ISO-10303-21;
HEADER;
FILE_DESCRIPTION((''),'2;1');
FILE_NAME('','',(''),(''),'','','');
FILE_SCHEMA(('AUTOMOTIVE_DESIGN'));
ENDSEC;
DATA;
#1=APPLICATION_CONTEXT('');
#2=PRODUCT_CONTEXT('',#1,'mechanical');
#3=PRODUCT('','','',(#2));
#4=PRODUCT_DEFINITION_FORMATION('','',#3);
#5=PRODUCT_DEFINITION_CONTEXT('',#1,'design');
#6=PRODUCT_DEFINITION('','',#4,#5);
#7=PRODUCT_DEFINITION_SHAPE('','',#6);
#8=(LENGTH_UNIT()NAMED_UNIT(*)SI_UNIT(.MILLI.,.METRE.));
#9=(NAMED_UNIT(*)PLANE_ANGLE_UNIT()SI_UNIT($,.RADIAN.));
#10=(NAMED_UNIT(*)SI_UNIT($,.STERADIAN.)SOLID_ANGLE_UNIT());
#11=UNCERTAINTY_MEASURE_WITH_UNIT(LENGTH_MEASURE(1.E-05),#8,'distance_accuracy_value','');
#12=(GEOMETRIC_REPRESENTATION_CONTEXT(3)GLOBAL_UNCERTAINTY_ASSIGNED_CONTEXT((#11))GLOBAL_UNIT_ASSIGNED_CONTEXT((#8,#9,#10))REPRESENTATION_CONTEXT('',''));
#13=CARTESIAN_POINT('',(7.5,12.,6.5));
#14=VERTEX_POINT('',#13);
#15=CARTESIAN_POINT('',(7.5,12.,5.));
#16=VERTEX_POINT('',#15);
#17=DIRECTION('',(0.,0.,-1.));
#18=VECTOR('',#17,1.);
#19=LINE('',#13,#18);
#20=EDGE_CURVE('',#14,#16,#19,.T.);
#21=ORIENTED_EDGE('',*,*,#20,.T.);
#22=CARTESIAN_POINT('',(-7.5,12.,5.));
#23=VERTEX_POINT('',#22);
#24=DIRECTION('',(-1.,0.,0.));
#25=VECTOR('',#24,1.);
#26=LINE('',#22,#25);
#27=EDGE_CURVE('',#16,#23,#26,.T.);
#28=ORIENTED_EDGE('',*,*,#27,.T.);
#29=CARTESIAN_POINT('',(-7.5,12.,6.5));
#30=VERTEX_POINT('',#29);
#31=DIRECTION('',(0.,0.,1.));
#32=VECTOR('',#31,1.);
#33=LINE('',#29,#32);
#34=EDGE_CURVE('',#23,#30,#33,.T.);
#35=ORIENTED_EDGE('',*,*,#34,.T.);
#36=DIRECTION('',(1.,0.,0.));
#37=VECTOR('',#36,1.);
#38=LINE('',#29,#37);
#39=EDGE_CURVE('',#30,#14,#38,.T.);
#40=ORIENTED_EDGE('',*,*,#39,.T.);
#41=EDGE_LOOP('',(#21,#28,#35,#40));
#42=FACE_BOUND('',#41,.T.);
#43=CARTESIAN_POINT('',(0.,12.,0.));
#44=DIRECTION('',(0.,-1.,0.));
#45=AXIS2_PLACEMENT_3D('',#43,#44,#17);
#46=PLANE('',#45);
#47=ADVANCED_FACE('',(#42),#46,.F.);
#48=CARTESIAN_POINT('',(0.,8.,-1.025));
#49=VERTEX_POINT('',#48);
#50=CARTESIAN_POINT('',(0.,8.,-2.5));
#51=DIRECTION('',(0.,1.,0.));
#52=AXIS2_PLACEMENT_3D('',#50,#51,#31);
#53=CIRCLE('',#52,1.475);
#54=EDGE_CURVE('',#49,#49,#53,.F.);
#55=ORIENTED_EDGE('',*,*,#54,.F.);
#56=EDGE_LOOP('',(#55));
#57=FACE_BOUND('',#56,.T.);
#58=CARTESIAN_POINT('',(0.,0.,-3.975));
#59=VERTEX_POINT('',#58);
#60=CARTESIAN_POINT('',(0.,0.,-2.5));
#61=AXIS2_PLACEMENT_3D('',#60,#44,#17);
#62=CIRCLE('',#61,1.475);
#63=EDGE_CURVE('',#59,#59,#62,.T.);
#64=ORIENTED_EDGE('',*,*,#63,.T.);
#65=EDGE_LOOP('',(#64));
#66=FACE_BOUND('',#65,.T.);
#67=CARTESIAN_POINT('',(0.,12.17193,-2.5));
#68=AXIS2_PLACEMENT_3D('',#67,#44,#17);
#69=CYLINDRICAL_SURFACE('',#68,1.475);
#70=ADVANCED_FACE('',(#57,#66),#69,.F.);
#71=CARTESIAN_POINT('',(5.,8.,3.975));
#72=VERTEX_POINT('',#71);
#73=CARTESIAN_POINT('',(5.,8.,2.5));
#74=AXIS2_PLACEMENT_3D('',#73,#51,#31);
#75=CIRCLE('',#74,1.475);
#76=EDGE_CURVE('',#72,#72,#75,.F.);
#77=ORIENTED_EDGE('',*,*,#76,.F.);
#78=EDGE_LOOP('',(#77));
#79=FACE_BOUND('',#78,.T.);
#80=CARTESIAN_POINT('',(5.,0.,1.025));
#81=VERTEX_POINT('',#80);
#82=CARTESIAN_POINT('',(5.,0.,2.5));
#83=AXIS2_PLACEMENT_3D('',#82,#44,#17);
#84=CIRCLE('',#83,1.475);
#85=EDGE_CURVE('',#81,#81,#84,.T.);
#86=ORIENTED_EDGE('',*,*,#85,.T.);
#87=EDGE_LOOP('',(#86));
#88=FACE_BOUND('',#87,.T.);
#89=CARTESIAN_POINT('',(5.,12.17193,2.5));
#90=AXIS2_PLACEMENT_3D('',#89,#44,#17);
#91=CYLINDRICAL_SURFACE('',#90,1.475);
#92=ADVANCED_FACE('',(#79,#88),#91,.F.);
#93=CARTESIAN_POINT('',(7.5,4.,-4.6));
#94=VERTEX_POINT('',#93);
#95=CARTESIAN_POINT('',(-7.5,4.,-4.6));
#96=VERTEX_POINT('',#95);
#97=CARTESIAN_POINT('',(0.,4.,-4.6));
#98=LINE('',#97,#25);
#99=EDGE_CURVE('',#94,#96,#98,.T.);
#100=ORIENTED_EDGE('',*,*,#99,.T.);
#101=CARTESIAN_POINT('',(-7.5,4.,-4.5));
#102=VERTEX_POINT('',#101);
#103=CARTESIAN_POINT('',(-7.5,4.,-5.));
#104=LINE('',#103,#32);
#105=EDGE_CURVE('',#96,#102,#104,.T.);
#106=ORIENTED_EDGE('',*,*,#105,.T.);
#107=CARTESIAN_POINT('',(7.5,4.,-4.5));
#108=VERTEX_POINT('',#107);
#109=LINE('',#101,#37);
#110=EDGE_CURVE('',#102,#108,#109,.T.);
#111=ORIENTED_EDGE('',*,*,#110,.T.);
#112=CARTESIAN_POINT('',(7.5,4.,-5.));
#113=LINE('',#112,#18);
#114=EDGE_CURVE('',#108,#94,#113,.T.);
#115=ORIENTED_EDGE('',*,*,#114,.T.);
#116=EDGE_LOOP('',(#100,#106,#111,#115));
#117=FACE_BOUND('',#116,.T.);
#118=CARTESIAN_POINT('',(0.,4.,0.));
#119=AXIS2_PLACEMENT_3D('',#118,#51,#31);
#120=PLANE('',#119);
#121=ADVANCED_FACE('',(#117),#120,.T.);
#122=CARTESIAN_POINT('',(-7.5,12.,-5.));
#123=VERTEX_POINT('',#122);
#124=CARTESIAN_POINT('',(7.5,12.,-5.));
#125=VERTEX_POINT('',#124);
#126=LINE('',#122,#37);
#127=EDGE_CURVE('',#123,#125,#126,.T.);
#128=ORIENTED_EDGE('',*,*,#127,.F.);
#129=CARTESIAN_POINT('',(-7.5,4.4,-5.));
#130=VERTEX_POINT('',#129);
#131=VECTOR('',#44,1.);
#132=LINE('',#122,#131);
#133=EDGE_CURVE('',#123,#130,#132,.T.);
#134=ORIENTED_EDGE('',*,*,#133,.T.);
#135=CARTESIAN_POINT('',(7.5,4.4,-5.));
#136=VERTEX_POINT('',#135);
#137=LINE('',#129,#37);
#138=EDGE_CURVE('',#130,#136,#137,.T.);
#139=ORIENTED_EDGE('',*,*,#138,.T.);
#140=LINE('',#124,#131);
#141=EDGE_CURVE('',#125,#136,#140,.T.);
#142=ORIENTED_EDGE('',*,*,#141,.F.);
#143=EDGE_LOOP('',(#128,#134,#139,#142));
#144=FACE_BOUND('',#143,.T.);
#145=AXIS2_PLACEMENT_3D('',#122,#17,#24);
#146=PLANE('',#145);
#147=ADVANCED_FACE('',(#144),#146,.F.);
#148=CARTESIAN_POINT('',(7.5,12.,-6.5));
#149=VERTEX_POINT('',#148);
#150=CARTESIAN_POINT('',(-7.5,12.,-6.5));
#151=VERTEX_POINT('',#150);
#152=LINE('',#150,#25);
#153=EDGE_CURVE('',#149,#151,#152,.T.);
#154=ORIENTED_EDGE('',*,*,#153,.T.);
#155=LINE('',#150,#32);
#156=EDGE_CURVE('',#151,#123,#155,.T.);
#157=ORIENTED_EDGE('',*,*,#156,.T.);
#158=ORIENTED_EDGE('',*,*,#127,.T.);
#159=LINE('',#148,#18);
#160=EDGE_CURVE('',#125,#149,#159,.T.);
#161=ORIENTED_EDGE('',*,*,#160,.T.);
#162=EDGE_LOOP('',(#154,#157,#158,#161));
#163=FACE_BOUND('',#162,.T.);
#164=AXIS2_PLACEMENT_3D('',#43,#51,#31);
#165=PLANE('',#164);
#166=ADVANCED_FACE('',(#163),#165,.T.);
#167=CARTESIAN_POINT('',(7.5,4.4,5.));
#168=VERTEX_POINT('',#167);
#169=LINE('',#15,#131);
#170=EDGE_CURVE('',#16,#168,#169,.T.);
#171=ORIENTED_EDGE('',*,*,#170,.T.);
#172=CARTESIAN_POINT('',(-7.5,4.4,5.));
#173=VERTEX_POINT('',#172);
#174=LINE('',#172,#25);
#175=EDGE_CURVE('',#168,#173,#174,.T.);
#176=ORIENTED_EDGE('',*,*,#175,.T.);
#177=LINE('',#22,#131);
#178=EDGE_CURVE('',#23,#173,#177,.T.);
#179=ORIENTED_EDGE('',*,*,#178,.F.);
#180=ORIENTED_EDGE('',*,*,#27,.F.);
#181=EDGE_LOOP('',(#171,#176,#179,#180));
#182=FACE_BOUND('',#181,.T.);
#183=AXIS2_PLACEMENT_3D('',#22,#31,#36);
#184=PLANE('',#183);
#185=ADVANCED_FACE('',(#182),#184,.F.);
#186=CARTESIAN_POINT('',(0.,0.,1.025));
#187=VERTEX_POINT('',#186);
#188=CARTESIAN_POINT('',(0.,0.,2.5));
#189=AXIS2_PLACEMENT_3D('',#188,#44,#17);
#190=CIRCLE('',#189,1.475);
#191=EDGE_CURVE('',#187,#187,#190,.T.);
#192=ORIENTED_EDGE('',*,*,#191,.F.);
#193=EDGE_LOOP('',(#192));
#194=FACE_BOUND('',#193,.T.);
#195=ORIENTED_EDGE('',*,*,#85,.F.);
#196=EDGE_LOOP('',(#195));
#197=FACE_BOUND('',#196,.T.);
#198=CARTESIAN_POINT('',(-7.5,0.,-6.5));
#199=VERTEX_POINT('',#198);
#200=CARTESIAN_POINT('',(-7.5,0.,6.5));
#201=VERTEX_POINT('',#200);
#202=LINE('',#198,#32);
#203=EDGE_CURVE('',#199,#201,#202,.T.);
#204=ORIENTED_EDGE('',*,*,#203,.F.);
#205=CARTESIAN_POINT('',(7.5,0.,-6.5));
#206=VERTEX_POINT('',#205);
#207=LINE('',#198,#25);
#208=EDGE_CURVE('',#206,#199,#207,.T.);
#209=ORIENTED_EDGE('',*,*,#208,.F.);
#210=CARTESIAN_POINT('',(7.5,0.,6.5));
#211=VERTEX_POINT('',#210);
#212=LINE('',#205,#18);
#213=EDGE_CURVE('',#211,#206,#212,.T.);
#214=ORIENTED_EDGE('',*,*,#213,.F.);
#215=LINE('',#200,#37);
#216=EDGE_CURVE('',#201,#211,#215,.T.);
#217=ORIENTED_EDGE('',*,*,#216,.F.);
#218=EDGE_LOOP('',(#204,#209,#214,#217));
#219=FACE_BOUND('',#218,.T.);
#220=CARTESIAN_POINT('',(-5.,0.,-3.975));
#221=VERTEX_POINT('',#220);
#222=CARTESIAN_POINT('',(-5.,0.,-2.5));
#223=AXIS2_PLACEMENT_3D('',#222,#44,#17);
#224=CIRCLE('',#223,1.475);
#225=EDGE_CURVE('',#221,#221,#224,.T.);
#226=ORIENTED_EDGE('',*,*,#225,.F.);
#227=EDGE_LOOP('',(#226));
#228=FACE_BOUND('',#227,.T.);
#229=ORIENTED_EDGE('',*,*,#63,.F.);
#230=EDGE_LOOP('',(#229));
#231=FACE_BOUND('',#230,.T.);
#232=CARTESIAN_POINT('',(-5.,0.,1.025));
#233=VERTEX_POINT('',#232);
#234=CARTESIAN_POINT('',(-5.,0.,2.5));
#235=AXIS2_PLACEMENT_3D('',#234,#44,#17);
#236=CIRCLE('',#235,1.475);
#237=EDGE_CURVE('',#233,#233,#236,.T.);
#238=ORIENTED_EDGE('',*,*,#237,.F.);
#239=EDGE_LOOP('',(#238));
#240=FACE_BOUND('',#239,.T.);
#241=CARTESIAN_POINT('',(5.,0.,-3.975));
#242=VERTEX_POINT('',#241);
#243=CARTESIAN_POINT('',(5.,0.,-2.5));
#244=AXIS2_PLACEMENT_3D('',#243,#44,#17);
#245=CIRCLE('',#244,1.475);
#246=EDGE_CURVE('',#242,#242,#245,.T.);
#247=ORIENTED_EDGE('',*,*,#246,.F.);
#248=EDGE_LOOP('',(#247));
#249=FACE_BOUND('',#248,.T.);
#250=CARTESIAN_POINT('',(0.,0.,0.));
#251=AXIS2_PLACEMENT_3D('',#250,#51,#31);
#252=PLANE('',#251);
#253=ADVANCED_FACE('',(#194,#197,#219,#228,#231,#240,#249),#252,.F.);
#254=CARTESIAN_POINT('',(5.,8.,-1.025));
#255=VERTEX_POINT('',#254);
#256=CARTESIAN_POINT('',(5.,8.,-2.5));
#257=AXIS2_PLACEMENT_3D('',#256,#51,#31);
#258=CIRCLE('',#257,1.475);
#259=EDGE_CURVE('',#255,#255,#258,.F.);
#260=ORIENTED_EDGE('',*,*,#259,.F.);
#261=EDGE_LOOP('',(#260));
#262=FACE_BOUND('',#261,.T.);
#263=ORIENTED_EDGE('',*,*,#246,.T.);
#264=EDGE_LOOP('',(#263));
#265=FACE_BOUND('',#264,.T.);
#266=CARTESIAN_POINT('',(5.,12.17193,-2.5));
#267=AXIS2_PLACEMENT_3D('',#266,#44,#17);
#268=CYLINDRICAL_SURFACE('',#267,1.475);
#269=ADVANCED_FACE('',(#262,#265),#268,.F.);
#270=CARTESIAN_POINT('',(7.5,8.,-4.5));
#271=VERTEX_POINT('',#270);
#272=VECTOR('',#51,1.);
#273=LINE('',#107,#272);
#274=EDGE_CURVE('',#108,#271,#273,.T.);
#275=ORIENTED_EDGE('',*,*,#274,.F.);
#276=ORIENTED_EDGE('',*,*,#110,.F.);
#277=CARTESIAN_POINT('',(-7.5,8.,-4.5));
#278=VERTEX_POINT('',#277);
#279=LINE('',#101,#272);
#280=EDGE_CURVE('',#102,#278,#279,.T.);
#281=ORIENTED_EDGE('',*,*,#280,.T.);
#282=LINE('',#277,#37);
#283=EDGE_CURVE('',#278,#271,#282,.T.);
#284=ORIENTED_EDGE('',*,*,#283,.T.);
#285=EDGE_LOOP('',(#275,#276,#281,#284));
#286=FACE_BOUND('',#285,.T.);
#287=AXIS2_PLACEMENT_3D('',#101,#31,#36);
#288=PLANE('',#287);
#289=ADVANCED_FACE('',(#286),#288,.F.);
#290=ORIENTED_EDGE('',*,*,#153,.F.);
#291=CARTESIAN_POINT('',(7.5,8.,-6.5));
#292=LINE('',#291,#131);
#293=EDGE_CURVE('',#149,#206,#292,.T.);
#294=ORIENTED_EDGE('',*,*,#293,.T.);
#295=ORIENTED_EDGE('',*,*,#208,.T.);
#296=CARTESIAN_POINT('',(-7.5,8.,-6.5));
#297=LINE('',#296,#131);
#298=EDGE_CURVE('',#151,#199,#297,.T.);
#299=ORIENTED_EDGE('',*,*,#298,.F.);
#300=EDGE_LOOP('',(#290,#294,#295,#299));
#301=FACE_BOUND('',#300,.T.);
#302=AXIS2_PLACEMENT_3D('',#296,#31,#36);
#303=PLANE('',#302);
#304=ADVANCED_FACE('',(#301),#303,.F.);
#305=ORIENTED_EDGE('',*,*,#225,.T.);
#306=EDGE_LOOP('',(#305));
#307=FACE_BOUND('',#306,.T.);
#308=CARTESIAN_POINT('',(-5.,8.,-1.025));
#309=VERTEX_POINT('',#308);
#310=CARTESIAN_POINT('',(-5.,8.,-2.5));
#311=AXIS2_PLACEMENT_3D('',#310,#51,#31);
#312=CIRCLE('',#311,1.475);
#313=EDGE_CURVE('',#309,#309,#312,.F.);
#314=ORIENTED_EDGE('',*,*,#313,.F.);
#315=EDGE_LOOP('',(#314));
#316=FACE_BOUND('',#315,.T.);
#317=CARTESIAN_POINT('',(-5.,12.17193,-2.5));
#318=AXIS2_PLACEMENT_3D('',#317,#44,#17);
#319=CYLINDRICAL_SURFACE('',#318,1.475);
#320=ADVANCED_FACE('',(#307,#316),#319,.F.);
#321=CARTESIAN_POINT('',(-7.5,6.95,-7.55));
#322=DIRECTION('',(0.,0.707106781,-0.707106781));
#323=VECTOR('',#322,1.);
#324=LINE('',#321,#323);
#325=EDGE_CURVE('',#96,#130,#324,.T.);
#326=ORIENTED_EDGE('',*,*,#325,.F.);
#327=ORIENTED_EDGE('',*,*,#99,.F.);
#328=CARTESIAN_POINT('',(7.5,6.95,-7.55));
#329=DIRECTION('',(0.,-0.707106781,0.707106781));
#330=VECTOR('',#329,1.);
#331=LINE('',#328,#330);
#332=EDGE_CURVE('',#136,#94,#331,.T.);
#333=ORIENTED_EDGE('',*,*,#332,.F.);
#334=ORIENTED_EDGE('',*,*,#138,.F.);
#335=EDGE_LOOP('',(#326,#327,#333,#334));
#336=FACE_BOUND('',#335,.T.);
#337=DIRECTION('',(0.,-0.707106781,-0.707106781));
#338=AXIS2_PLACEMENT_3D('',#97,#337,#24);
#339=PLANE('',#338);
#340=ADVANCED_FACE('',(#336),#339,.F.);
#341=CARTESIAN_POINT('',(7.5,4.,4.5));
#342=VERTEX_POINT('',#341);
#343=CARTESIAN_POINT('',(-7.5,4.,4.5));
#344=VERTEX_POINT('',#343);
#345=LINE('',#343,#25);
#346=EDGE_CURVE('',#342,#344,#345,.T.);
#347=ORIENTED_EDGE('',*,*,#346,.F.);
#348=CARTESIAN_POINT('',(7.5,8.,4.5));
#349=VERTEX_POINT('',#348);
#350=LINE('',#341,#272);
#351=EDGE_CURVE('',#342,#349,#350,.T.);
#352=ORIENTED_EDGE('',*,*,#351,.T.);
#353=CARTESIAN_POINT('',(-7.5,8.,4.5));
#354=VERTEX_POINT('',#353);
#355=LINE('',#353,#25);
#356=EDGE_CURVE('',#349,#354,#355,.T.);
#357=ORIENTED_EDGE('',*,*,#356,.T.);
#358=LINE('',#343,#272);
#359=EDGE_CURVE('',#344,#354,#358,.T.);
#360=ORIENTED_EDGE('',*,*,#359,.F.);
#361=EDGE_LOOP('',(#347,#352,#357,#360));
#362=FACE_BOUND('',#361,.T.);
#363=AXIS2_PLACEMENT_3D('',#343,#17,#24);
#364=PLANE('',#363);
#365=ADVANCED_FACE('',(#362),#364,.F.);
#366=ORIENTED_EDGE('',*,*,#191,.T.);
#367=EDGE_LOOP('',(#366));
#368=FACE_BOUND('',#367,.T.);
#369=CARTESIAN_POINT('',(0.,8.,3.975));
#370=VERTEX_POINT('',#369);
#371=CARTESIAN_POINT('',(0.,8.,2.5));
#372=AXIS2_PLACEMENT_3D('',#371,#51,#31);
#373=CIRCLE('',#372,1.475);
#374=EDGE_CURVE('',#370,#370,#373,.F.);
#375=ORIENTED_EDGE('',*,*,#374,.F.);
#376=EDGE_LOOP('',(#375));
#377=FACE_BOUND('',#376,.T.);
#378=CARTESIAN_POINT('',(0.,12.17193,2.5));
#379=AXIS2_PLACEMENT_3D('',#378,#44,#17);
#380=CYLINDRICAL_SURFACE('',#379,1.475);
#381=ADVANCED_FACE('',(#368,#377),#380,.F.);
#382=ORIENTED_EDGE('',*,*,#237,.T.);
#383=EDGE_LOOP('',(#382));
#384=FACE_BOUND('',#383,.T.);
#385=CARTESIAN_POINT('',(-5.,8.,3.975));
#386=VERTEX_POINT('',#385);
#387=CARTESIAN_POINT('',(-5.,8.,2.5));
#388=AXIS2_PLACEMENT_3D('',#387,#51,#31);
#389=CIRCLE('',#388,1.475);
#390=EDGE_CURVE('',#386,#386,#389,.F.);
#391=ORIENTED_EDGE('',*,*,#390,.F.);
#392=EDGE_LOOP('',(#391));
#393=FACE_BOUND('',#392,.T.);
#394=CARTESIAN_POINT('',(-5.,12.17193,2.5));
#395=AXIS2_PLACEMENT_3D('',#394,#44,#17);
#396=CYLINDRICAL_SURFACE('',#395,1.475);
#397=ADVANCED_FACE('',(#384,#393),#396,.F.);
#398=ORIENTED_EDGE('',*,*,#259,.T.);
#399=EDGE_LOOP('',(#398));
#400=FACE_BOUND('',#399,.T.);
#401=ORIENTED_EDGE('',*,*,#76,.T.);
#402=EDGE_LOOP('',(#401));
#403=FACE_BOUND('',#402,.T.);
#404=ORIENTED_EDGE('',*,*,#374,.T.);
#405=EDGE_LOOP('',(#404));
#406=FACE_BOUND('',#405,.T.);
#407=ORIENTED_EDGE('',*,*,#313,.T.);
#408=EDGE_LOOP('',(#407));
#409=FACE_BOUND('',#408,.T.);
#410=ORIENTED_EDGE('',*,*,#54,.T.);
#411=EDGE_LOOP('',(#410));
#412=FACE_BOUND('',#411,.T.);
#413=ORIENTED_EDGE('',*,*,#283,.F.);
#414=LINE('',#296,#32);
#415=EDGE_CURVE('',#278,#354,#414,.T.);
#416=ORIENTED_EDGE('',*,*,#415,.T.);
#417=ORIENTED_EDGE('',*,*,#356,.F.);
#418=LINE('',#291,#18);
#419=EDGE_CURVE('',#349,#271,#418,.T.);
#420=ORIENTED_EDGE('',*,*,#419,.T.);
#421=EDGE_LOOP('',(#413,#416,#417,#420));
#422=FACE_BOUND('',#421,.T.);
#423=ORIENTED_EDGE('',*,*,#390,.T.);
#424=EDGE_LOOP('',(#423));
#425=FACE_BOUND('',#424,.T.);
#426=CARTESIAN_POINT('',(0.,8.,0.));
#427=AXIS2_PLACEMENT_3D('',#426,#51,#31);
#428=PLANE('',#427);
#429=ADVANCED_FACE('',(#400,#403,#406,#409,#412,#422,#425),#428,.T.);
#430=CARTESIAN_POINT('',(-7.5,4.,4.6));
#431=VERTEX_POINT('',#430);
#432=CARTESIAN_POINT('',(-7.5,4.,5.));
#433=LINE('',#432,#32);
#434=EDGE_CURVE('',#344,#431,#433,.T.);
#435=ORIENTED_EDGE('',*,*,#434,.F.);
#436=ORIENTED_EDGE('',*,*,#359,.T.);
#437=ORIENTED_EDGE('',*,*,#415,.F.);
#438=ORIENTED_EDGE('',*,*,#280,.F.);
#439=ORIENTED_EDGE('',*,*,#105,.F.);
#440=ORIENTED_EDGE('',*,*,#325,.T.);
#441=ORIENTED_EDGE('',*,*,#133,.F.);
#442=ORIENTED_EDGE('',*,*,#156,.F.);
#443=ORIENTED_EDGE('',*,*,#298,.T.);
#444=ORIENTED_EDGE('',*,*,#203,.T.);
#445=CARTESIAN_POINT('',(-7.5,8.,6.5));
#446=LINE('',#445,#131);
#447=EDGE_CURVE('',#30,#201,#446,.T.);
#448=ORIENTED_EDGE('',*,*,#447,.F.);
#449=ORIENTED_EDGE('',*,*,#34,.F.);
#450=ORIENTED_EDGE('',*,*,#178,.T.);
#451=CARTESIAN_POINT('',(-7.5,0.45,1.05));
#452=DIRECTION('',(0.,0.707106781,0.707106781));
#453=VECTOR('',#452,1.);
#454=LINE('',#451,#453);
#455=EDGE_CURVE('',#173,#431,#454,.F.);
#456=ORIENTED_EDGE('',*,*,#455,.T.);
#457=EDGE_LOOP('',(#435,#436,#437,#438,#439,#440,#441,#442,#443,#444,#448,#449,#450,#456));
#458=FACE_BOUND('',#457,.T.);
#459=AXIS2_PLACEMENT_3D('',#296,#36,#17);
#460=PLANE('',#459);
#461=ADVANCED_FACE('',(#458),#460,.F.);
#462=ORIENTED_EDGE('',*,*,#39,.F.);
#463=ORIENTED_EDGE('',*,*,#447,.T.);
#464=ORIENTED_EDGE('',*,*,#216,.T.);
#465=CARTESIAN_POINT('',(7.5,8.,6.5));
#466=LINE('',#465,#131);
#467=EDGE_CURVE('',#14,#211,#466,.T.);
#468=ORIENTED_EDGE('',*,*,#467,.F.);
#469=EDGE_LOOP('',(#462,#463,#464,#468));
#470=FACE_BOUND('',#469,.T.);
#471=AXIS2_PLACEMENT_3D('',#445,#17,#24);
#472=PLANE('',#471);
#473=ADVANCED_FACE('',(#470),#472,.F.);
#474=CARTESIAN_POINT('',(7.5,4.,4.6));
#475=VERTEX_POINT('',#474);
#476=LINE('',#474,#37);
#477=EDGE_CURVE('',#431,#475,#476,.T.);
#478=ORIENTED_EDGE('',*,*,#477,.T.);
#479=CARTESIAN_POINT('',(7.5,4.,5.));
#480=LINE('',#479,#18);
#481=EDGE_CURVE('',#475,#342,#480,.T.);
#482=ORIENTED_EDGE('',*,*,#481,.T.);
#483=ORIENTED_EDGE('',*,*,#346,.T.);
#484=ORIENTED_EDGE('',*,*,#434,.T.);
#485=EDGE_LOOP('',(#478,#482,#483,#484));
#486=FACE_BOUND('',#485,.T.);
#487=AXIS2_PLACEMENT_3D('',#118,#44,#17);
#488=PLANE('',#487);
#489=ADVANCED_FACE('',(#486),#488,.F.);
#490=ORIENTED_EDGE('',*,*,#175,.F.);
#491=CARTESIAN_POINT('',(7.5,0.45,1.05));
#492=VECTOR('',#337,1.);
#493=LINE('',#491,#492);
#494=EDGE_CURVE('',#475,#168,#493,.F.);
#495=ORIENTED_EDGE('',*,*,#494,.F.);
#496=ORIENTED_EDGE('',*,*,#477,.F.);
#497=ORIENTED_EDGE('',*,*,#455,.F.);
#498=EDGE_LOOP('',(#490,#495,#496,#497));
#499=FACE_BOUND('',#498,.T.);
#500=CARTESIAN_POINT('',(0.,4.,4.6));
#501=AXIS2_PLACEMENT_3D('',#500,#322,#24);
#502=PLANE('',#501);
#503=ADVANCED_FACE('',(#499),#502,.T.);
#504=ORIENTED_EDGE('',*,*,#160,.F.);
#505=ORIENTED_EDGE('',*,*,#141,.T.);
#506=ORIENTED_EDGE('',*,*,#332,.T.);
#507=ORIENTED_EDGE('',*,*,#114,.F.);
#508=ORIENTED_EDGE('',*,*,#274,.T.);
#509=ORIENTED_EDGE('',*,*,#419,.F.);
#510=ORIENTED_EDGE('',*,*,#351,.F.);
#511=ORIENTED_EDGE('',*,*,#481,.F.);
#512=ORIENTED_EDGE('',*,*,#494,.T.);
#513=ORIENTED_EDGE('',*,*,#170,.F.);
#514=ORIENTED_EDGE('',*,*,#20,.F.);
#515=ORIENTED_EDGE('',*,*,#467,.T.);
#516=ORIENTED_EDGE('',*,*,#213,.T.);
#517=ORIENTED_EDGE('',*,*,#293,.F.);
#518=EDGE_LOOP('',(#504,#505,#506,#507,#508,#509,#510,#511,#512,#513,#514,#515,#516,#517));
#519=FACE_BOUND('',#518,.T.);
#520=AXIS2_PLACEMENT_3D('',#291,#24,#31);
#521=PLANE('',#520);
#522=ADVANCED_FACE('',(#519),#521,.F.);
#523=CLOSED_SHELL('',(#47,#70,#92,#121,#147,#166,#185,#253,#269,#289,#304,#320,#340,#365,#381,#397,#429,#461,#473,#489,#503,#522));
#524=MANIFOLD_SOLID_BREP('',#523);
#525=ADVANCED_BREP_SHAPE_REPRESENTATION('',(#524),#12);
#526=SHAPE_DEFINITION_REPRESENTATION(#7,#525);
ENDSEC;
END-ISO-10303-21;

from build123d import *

# Parameters (mm, degrees)
SKETCH1_W            = 15
SKETCH1_H            = 13
BOSS_EXTRUDE1_DEPTH  = 8
SKETCH8_W            = 15
SKETCH8_H            = 1.5
BOSS_EXTRUDE4_DEPTH  = 4
SKETCH9_W            = 15
SKETCH9_H            = 0.5
CUT_EXTRUDE3_DEPTH   = 4
CHAMFER1_SIZE        = 0.4
SKETCH4_R            = 1.475
CUT_EXTRUDE2_DEPTH   = 8
LPATTERN1_COUNT      = 3
LPATTERN1_PITCH      = 5
LPATTERN1_COUNT_DIR2 = 2
LPATTERN1_PITCH_DIR2 = 5


with BuildPart() as part:
    # Sketch1 → Boss-Extrude1 (new body)
    with BuildSketch(Plane(origin=(0, 0, 0), x_dir=(1, 0, 0), z_dir=(0, 1, 0))):
        Rectangle(SKETCH1_W, SKETCH1_H)
    extrude(amount=BOSS_EXTRUDE1_DEPTH)

    # Sketch8 → Boss-Extrude4 (add)
    with BuildSketch(Plane(origin=(0, 8, 0), x_dir=(1, 0, 0), z_dir=(0, 1, 0))):
        with Locations((0, 5.75)):
            Rectangle(SKETCH8_W, SKETCH8_H)
        with Locations((0, -5.75)):
            Rectangle(SKETCH8_W, SKETCH8_H)
    extrude(amount=BOSS_EXTRUDE4_DEPTH)

    # Sketch9 → Cut-Extrude3 (cut)
    with BuildSketch(Plane(origin=(0, 8, 0), x_dir=(1, 0, 0), z_dir=(0, 1, 0))):
        with Locations((0, 4.75)):
            Rectangle(SKETCH9_W, SKETCH9_H)
        with Locations((0, -4.75)):
            Rectangle(SKETCH9_W, SKETCH9_H)
    extrude(amount=-CUT_EXTRUDE3_DEPTH, mode=Mode.SUBTRACT)

    # Chamfer1
    chamfer1_edges = [part.edges().sort_by_distance(p)[0] for p in [
        (0, 4, -5),
        (0, 4, 5),
    ]]
    chamfer(chamfer1_edges, length=CHAMFER1_SIZE)

    # Sketch4 → Cut-Extrude2 (cut)
    with BuildSketch(Plane.XZ):
        with Locations(Location((-5, 2.5, 0), (0, 0, 270))):
            Circle(SKETCH4_R)
    cut_extrude2 = extrude(amount=-CUT_EXTRUDE2_DEPTH, mode=Mode.SUBTRACT)

    # LPattern1: Cut-Extrude2 3 × 2
    with Locations(*[(i * LPATTERN1_PITCH, 0, -j * LPATTERN1_PITCH_DIR2) for i in range(LPATTERN1_COUNT) for j in range(LPATTERN1_COUNT_DIR2) if (i, j) != (0, 0)]):
        add(cut_extrude2, mode=Mode.SUBTRACT)


solid = part.part
